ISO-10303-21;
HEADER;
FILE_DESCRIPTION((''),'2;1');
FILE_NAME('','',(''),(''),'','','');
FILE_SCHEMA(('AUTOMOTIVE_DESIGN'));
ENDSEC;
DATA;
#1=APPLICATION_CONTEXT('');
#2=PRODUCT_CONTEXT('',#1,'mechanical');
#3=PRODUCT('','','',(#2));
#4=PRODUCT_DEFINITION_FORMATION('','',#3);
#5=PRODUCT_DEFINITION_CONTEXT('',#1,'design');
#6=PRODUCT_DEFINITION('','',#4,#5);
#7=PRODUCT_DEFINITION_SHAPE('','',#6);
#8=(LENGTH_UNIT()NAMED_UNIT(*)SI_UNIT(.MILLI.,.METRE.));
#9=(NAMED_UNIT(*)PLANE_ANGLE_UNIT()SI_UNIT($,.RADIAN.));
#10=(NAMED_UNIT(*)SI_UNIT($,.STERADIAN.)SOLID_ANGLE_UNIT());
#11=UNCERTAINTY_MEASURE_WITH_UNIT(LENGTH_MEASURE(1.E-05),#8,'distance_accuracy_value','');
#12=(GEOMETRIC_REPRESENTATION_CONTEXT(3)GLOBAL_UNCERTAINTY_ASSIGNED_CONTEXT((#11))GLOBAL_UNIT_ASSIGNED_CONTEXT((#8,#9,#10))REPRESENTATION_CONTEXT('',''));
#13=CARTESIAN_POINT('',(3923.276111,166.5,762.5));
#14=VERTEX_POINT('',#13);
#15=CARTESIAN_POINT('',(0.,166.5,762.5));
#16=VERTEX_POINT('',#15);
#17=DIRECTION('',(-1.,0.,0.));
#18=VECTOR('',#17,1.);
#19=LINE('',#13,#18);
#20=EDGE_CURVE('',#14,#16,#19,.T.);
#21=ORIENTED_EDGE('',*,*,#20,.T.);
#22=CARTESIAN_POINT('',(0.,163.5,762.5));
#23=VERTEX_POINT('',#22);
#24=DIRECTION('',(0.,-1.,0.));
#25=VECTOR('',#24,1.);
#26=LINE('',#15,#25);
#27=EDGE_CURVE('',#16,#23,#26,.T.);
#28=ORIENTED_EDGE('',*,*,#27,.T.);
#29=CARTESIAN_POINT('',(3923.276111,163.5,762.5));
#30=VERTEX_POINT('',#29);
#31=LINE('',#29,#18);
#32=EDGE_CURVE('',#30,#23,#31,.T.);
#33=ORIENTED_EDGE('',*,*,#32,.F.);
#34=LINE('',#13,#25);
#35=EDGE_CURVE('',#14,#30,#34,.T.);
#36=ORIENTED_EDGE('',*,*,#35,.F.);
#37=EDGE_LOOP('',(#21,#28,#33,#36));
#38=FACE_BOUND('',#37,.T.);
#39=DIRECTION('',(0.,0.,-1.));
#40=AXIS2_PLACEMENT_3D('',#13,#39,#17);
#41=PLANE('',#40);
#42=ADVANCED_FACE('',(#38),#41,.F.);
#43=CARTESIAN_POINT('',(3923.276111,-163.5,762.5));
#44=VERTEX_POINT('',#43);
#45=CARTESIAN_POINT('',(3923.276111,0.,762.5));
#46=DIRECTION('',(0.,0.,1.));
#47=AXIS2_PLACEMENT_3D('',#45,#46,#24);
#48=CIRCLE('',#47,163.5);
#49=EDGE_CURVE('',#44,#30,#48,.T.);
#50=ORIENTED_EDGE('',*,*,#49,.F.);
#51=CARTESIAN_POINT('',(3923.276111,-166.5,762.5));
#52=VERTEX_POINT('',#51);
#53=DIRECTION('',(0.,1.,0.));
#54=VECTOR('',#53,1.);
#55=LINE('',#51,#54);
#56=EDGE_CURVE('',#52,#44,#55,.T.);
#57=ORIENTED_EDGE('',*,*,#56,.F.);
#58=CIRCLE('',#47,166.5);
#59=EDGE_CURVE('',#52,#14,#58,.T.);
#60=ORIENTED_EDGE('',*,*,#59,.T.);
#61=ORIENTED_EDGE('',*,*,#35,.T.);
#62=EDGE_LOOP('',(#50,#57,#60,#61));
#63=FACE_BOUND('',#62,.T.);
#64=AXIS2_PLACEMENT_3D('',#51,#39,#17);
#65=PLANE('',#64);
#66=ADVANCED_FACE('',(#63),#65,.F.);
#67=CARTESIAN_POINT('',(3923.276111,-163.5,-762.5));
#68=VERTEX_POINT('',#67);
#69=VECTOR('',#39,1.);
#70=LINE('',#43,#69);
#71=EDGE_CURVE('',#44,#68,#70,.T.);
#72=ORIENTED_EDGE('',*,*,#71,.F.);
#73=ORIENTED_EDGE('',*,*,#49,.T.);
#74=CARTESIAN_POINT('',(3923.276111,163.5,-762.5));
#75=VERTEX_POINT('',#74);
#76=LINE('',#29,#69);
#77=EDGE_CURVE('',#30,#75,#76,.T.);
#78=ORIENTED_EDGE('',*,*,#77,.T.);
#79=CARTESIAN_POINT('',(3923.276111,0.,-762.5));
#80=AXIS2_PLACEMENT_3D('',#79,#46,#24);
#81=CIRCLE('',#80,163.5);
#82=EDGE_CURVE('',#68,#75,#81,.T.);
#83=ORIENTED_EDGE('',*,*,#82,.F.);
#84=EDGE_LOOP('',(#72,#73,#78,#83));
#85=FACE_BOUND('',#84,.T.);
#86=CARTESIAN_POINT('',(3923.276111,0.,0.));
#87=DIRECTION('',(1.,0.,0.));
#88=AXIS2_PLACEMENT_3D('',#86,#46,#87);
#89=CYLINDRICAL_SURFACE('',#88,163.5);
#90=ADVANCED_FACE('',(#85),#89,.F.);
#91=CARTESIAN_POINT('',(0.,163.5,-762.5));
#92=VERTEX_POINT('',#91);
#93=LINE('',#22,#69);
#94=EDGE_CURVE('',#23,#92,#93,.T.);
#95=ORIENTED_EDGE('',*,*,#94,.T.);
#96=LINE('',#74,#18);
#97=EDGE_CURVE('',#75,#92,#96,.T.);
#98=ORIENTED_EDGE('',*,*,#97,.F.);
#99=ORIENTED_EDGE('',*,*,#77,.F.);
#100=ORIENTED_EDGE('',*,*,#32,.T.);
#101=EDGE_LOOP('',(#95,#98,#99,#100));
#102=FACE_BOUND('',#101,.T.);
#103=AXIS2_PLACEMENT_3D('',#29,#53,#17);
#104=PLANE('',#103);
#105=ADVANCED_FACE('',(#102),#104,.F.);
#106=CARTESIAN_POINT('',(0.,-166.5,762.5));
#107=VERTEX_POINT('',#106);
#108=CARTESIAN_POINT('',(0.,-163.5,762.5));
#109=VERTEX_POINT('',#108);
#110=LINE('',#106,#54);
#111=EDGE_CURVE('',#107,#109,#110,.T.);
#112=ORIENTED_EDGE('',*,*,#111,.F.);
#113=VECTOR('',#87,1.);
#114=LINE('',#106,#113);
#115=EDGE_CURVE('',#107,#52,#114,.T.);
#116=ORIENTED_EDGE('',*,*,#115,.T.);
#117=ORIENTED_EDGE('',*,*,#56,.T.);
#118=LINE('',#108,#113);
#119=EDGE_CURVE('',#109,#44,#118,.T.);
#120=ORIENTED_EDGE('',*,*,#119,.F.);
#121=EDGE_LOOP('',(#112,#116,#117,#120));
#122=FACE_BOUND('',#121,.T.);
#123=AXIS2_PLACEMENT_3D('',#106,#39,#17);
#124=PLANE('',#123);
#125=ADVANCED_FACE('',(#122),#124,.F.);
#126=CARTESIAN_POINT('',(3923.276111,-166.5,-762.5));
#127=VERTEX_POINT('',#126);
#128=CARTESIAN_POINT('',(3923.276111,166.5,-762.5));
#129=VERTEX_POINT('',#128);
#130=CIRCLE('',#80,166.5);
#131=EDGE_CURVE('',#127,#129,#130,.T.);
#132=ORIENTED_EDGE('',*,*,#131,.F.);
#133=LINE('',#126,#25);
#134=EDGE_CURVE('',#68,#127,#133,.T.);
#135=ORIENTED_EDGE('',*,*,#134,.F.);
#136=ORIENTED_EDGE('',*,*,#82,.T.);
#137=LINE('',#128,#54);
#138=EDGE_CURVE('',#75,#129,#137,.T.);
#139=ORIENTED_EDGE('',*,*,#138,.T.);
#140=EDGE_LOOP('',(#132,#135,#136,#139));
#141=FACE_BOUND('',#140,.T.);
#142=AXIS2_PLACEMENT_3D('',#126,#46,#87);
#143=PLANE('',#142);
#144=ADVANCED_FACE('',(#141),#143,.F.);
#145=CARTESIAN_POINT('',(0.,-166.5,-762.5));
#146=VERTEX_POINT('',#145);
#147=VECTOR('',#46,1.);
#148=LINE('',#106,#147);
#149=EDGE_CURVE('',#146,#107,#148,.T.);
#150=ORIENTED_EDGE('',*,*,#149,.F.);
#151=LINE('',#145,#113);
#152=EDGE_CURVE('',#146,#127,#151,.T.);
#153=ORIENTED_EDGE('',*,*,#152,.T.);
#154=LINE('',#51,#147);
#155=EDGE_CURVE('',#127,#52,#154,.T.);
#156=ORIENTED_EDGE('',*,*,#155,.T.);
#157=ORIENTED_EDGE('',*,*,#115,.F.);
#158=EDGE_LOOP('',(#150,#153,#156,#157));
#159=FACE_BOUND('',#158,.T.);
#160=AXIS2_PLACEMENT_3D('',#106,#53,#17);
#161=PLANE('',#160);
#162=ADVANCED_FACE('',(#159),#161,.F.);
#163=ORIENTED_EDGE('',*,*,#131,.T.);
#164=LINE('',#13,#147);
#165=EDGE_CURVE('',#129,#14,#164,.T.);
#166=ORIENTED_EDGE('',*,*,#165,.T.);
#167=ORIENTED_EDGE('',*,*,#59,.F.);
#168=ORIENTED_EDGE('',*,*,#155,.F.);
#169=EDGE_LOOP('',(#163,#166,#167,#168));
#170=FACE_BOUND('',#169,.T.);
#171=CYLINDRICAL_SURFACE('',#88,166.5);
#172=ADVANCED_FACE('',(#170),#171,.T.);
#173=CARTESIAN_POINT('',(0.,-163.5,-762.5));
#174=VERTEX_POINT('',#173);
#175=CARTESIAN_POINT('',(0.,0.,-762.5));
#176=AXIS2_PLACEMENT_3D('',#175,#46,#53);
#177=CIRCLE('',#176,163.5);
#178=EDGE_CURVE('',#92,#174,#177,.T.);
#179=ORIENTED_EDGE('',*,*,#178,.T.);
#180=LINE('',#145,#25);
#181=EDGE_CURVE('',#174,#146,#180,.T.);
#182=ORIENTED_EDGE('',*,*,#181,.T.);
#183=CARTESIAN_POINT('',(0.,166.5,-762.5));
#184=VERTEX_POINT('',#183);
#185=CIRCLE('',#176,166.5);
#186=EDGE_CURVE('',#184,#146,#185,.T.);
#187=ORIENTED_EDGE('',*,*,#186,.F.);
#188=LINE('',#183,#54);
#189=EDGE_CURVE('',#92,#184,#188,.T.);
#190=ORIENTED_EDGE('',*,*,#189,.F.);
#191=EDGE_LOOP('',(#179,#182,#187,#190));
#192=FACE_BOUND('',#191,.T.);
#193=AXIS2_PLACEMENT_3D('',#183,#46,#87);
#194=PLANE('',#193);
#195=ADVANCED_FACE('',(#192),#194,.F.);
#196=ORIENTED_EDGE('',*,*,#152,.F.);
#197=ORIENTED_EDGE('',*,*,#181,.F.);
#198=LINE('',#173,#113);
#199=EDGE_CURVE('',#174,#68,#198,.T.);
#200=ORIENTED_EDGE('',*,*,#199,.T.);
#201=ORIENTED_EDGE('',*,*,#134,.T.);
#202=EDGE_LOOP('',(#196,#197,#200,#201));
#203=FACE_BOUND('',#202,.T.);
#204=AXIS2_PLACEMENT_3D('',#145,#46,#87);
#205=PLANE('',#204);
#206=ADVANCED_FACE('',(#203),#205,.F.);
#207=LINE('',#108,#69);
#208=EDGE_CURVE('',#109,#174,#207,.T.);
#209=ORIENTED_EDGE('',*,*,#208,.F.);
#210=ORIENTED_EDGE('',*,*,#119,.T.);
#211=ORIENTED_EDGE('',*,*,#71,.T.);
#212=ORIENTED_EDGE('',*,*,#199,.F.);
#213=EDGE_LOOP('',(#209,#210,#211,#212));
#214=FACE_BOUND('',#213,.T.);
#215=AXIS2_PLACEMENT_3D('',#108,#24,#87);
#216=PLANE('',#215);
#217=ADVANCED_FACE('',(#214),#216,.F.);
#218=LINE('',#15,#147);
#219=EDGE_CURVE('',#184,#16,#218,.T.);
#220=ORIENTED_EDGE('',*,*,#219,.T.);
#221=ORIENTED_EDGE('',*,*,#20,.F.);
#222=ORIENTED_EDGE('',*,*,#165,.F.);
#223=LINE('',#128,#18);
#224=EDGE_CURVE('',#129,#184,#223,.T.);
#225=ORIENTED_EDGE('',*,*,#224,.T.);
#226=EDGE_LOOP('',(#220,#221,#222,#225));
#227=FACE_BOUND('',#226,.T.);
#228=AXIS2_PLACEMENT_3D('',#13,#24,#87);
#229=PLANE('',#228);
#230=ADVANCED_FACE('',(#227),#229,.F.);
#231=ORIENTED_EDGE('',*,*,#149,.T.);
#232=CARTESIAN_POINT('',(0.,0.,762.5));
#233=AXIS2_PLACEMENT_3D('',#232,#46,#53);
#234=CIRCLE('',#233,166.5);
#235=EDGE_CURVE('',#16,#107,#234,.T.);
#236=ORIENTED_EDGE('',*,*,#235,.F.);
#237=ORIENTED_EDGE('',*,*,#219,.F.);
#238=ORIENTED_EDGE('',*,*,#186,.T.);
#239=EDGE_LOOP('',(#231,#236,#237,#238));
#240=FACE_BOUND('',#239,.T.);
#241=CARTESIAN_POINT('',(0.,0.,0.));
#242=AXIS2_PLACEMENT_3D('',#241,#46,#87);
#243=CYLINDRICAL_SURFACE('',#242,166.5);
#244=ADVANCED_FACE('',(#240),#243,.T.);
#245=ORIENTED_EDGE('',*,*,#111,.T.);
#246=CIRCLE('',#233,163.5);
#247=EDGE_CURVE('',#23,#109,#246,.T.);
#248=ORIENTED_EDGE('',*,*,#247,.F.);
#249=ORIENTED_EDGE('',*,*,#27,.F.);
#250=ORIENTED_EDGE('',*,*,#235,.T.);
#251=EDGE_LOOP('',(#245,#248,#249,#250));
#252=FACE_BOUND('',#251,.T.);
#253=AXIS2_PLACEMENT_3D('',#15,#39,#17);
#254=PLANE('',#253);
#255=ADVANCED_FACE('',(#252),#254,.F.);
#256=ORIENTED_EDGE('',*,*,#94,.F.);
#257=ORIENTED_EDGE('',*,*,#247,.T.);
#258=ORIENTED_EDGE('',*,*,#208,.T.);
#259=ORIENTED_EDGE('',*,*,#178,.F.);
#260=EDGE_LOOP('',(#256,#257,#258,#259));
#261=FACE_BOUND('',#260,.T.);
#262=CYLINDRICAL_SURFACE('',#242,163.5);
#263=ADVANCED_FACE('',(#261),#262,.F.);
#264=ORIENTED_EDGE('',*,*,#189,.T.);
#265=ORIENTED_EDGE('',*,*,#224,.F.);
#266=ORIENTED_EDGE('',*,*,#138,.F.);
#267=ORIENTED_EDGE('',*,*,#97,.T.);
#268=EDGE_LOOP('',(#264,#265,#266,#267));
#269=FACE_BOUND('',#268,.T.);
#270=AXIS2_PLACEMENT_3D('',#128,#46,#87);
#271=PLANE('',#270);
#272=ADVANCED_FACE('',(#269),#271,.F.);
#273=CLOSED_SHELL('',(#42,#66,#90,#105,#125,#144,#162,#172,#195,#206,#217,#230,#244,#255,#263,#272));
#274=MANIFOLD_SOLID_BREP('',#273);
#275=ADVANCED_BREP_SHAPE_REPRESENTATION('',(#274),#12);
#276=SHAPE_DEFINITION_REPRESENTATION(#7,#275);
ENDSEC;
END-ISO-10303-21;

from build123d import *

# Parameters (mm, degrees)
SKETCH_4_W = 1525
SKETCH_4_H = 3


with BuildPart() as part:
    # 扫描1: sweep along a path in 草图2
    with BuildLine(Plane.XY) as sweep_1_path:
        Line((0, 165), (3923.276111442, 165))
        ThreePointArc((3923.276111442, 165), (4088.276111442, 0), (3923.276111442, -165))
        Line((3923.276111442, -165), (0, -165))
        ThreePointArc((0, -165), (-165, 0), (0, 165))
    # 草图4 → 扫描1 (sweep)
    with BuildSketch(Plane(origin=(0, 0, 0), x_dir=(0, 0, -1), z_dir=(1, 0, 0))):
        with Locations((0, 165)):
            Rectangle(SKETCH_4_W, SKETCH_4_H)
    sweep(path=sweep_1_path.line)


solid = part.part
